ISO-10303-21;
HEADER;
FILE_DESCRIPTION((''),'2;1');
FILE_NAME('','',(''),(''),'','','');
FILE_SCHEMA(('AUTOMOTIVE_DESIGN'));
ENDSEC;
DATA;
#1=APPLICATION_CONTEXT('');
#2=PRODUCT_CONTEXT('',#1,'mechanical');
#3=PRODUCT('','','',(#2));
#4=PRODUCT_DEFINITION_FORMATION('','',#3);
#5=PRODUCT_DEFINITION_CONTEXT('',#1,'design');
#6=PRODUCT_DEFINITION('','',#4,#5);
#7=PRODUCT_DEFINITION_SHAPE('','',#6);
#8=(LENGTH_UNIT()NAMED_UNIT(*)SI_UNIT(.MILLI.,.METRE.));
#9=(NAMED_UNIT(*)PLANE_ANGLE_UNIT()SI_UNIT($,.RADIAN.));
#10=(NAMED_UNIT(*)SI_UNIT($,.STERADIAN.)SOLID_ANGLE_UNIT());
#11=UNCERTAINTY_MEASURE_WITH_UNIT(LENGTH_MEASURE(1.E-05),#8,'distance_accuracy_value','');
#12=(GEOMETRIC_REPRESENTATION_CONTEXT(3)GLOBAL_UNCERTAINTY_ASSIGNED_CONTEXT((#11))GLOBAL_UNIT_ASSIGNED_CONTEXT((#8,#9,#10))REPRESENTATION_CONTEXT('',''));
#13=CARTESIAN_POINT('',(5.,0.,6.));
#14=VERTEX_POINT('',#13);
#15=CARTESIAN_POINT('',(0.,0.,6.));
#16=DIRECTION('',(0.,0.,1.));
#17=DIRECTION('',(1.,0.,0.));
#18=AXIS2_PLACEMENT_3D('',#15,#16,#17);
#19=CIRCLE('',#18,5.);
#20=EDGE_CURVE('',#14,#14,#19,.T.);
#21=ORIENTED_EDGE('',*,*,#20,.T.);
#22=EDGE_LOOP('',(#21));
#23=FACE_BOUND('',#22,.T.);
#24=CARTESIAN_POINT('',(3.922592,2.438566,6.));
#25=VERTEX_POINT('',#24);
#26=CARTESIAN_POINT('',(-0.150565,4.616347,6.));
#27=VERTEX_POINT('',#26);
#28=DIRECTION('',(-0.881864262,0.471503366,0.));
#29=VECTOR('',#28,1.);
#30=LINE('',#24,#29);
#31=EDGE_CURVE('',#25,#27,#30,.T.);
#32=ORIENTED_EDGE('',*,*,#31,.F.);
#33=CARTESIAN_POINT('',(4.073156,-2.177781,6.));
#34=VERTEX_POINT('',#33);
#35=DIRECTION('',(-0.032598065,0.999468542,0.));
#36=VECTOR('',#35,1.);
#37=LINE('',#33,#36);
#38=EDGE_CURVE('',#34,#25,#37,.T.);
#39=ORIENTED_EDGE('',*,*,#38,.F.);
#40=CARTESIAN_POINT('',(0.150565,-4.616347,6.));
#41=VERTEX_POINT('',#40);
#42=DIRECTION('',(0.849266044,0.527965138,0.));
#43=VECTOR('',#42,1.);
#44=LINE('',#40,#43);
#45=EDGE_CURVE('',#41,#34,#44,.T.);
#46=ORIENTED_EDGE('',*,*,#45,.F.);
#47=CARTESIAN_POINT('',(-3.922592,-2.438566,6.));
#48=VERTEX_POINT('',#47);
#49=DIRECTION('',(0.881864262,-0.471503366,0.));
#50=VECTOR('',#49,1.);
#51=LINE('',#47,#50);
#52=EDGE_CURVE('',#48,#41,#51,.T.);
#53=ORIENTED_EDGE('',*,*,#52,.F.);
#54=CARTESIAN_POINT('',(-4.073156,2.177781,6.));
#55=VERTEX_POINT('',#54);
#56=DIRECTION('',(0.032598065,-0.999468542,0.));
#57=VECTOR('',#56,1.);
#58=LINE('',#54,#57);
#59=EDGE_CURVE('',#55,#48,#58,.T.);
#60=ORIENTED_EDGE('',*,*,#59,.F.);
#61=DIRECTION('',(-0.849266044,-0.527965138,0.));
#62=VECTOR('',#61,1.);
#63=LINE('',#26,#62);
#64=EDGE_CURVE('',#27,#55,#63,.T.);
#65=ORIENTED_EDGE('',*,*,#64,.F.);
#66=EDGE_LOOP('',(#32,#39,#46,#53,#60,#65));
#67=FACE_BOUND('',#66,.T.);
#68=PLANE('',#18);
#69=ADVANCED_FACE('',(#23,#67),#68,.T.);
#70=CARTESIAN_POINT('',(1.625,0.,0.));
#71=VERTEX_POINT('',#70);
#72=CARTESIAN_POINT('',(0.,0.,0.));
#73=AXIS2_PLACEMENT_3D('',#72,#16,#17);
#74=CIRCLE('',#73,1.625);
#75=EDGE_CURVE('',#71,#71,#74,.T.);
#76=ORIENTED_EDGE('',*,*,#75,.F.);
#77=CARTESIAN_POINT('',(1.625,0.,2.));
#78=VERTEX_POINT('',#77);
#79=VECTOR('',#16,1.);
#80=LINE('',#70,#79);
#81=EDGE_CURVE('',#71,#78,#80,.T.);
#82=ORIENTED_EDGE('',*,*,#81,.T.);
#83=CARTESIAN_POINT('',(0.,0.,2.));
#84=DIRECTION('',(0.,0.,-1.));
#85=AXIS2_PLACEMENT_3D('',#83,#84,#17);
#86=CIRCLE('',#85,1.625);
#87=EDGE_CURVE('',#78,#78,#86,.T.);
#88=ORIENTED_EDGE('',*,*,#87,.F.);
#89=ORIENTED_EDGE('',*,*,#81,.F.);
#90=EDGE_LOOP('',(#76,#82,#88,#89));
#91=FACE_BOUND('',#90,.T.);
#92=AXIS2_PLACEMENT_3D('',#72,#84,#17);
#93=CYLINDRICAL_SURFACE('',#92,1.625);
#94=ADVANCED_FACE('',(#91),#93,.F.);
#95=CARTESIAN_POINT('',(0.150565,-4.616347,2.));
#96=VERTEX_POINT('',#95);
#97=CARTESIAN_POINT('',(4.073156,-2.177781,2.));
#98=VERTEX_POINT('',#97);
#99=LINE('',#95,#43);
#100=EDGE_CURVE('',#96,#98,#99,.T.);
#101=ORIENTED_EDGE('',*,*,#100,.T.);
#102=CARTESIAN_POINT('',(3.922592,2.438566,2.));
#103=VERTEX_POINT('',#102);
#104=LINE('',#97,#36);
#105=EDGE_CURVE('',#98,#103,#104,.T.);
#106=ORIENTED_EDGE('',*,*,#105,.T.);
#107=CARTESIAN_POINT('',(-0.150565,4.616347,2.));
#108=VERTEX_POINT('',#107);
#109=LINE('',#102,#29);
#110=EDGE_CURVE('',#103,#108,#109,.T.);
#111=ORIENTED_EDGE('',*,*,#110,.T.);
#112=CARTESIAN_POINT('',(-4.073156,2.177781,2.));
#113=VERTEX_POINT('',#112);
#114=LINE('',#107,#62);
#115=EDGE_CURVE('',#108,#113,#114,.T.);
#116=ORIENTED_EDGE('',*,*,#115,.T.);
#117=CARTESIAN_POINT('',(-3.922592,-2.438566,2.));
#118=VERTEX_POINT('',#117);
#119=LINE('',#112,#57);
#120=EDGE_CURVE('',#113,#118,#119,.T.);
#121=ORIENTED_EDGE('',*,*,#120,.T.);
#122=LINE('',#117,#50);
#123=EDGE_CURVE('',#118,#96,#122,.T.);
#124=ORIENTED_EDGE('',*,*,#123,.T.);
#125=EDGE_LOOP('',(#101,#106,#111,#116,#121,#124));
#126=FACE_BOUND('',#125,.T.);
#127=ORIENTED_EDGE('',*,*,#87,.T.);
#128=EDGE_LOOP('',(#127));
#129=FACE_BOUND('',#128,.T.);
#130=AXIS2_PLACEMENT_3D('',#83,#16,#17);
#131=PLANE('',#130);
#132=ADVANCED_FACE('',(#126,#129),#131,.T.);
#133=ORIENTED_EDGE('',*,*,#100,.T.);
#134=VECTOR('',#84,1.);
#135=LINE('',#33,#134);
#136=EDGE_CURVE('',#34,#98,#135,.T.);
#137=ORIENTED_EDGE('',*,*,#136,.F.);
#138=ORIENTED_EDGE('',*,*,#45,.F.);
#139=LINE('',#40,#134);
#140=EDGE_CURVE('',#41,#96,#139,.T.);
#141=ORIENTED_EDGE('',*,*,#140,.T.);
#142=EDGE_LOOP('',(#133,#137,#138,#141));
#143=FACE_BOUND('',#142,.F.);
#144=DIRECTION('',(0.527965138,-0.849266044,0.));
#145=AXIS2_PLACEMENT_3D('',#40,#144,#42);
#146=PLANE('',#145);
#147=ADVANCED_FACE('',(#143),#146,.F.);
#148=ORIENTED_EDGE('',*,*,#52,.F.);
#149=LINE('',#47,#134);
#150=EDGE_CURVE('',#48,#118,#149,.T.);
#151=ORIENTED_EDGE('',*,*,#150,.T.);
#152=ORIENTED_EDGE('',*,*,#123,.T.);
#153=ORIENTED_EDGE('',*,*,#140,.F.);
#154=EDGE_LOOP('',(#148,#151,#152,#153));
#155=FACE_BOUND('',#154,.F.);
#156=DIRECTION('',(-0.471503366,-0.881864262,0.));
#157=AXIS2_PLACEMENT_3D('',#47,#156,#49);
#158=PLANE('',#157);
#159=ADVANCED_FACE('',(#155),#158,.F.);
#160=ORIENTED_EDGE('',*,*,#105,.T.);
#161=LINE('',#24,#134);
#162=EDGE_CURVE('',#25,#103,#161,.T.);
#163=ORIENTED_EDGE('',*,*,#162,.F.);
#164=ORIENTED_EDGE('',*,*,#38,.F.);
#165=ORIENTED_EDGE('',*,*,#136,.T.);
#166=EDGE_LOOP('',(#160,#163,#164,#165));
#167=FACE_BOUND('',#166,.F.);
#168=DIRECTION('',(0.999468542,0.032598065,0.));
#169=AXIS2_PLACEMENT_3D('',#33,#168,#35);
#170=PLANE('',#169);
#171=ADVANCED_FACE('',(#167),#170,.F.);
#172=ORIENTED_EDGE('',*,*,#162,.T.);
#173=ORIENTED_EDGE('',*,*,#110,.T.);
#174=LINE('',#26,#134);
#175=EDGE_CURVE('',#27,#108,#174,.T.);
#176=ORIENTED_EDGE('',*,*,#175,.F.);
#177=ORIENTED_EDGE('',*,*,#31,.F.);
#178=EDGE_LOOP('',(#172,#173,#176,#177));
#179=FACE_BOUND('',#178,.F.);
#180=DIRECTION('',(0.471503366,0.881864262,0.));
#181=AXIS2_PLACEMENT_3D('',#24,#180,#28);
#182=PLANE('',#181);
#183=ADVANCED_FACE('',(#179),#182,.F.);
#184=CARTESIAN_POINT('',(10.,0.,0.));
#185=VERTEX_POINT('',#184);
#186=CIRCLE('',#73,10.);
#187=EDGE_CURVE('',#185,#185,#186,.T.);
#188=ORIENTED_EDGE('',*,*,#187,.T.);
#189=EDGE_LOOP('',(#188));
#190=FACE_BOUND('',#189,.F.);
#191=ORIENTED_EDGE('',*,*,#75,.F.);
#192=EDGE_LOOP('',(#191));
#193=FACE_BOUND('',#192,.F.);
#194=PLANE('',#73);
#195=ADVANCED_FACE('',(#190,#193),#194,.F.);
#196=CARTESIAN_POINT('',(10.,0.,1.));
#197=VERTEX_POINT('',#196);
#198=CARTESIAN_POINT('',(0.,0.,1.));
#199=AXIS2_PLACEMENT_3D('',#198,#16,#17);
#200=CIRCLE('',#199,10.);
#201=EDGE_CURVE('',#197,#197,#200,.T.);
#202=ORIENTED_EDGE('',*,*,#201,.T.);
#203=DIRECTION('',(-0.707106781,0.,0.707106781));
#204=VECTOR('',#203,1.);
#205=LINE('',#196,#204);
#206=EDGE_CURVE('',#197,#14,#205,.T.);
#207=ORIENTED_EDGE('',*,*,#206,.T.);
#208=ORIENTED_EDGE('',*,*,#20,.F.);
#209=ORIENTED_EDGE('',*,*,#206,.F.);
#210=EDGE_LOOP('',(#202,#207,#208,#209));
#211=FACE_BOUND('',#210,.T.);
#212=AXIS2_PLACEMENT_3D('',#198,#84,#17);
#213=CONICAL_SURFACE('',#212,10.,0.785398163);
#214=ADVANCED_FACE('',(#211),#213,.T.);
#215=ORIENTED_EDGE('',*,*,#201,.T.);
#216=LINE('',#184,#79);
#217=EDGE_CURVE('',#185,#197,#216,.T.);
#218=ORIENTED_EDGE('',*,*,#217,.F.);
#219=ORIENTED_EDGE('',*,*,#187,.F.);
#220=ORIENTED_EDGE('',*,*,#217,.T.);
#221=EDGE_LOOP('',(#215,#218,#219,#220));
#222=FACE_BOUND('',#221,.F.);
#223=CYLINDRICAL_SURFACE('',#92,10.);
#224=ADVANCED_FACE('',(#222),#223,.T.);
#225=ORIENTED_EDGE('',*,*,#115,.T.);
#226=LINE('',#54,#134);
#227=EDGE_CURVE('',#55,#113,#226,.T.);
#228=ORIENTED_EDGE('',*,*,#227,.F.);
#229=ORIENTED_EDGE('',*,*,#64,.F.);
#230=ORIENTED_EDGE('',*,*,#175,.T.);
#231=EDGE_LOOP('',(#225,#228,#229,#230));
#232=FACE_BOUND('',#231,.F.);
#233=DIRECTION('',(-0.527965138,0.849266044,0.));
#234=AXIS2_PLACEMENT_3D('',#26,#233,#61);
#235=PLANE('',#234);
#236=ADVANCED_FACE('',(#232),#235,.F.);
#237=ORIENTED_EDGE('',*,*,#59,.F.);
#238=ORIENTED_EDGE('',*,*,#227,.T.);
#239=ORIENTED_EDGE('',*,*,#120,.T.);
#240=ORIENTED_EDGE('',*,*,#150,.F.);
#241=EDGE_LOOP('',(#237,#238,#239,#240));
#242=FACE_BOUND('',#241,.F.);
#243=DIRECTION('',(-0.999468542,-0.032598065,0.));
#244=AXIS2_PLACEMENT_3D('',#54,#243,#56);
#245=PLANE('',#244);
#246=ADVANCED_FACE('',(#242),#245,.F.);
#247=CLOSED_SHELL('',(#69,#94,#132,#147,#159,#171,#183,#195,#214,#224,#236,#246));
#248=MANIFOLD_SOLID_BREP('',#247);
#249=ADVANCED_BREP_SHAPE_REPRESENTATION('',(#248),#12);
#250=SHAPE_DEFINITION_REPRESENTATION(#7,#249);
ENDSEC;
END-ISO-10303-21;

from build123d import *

# Parameters (mm, degrees)
F0_R     = 10
F1_DEPTH = 6
F2_SIZE  = 5
F4_DEPTH = 4
F5_R     = 1.625
F6_DEPTH = 5


with BuildPart() as f1:
    # F0 (on Top) → F1 (new body)
    with BuildSketch(Plane.XY):
        Circle(F0_R)
    extrude(amount=F1_DEPTH)

    # F2
    f2_edges = [f1.edges().sort_by_distance(p)[0] for p in [
        (-10, 0, 6),
    ]]
    chamfer(f2_edges, length=F2_SIZE)

    # F3 (on face) → F4 (cut)
    with BuildSketch(Plane.XY.offset(6)):
        Polygon((0.150565, -4.616347), (4.073156, -2.177781), (3.922592, 2.438566), (-0.150565, 4.616347), (-4.073156, 2.177781), (-3.922592, -2.438566), align=None)
    extrude(amount=-F4_DEPTH, mode=Mode.SUBTRACT)

    # F5 (on Top) → F6 (cut)
    with BuildSketch(Plane.XY):
        Circle(F5_R)
    extrude(amount=F6_DEPTH, mode=Mode.SUBTRACT)


solid = f1.part
